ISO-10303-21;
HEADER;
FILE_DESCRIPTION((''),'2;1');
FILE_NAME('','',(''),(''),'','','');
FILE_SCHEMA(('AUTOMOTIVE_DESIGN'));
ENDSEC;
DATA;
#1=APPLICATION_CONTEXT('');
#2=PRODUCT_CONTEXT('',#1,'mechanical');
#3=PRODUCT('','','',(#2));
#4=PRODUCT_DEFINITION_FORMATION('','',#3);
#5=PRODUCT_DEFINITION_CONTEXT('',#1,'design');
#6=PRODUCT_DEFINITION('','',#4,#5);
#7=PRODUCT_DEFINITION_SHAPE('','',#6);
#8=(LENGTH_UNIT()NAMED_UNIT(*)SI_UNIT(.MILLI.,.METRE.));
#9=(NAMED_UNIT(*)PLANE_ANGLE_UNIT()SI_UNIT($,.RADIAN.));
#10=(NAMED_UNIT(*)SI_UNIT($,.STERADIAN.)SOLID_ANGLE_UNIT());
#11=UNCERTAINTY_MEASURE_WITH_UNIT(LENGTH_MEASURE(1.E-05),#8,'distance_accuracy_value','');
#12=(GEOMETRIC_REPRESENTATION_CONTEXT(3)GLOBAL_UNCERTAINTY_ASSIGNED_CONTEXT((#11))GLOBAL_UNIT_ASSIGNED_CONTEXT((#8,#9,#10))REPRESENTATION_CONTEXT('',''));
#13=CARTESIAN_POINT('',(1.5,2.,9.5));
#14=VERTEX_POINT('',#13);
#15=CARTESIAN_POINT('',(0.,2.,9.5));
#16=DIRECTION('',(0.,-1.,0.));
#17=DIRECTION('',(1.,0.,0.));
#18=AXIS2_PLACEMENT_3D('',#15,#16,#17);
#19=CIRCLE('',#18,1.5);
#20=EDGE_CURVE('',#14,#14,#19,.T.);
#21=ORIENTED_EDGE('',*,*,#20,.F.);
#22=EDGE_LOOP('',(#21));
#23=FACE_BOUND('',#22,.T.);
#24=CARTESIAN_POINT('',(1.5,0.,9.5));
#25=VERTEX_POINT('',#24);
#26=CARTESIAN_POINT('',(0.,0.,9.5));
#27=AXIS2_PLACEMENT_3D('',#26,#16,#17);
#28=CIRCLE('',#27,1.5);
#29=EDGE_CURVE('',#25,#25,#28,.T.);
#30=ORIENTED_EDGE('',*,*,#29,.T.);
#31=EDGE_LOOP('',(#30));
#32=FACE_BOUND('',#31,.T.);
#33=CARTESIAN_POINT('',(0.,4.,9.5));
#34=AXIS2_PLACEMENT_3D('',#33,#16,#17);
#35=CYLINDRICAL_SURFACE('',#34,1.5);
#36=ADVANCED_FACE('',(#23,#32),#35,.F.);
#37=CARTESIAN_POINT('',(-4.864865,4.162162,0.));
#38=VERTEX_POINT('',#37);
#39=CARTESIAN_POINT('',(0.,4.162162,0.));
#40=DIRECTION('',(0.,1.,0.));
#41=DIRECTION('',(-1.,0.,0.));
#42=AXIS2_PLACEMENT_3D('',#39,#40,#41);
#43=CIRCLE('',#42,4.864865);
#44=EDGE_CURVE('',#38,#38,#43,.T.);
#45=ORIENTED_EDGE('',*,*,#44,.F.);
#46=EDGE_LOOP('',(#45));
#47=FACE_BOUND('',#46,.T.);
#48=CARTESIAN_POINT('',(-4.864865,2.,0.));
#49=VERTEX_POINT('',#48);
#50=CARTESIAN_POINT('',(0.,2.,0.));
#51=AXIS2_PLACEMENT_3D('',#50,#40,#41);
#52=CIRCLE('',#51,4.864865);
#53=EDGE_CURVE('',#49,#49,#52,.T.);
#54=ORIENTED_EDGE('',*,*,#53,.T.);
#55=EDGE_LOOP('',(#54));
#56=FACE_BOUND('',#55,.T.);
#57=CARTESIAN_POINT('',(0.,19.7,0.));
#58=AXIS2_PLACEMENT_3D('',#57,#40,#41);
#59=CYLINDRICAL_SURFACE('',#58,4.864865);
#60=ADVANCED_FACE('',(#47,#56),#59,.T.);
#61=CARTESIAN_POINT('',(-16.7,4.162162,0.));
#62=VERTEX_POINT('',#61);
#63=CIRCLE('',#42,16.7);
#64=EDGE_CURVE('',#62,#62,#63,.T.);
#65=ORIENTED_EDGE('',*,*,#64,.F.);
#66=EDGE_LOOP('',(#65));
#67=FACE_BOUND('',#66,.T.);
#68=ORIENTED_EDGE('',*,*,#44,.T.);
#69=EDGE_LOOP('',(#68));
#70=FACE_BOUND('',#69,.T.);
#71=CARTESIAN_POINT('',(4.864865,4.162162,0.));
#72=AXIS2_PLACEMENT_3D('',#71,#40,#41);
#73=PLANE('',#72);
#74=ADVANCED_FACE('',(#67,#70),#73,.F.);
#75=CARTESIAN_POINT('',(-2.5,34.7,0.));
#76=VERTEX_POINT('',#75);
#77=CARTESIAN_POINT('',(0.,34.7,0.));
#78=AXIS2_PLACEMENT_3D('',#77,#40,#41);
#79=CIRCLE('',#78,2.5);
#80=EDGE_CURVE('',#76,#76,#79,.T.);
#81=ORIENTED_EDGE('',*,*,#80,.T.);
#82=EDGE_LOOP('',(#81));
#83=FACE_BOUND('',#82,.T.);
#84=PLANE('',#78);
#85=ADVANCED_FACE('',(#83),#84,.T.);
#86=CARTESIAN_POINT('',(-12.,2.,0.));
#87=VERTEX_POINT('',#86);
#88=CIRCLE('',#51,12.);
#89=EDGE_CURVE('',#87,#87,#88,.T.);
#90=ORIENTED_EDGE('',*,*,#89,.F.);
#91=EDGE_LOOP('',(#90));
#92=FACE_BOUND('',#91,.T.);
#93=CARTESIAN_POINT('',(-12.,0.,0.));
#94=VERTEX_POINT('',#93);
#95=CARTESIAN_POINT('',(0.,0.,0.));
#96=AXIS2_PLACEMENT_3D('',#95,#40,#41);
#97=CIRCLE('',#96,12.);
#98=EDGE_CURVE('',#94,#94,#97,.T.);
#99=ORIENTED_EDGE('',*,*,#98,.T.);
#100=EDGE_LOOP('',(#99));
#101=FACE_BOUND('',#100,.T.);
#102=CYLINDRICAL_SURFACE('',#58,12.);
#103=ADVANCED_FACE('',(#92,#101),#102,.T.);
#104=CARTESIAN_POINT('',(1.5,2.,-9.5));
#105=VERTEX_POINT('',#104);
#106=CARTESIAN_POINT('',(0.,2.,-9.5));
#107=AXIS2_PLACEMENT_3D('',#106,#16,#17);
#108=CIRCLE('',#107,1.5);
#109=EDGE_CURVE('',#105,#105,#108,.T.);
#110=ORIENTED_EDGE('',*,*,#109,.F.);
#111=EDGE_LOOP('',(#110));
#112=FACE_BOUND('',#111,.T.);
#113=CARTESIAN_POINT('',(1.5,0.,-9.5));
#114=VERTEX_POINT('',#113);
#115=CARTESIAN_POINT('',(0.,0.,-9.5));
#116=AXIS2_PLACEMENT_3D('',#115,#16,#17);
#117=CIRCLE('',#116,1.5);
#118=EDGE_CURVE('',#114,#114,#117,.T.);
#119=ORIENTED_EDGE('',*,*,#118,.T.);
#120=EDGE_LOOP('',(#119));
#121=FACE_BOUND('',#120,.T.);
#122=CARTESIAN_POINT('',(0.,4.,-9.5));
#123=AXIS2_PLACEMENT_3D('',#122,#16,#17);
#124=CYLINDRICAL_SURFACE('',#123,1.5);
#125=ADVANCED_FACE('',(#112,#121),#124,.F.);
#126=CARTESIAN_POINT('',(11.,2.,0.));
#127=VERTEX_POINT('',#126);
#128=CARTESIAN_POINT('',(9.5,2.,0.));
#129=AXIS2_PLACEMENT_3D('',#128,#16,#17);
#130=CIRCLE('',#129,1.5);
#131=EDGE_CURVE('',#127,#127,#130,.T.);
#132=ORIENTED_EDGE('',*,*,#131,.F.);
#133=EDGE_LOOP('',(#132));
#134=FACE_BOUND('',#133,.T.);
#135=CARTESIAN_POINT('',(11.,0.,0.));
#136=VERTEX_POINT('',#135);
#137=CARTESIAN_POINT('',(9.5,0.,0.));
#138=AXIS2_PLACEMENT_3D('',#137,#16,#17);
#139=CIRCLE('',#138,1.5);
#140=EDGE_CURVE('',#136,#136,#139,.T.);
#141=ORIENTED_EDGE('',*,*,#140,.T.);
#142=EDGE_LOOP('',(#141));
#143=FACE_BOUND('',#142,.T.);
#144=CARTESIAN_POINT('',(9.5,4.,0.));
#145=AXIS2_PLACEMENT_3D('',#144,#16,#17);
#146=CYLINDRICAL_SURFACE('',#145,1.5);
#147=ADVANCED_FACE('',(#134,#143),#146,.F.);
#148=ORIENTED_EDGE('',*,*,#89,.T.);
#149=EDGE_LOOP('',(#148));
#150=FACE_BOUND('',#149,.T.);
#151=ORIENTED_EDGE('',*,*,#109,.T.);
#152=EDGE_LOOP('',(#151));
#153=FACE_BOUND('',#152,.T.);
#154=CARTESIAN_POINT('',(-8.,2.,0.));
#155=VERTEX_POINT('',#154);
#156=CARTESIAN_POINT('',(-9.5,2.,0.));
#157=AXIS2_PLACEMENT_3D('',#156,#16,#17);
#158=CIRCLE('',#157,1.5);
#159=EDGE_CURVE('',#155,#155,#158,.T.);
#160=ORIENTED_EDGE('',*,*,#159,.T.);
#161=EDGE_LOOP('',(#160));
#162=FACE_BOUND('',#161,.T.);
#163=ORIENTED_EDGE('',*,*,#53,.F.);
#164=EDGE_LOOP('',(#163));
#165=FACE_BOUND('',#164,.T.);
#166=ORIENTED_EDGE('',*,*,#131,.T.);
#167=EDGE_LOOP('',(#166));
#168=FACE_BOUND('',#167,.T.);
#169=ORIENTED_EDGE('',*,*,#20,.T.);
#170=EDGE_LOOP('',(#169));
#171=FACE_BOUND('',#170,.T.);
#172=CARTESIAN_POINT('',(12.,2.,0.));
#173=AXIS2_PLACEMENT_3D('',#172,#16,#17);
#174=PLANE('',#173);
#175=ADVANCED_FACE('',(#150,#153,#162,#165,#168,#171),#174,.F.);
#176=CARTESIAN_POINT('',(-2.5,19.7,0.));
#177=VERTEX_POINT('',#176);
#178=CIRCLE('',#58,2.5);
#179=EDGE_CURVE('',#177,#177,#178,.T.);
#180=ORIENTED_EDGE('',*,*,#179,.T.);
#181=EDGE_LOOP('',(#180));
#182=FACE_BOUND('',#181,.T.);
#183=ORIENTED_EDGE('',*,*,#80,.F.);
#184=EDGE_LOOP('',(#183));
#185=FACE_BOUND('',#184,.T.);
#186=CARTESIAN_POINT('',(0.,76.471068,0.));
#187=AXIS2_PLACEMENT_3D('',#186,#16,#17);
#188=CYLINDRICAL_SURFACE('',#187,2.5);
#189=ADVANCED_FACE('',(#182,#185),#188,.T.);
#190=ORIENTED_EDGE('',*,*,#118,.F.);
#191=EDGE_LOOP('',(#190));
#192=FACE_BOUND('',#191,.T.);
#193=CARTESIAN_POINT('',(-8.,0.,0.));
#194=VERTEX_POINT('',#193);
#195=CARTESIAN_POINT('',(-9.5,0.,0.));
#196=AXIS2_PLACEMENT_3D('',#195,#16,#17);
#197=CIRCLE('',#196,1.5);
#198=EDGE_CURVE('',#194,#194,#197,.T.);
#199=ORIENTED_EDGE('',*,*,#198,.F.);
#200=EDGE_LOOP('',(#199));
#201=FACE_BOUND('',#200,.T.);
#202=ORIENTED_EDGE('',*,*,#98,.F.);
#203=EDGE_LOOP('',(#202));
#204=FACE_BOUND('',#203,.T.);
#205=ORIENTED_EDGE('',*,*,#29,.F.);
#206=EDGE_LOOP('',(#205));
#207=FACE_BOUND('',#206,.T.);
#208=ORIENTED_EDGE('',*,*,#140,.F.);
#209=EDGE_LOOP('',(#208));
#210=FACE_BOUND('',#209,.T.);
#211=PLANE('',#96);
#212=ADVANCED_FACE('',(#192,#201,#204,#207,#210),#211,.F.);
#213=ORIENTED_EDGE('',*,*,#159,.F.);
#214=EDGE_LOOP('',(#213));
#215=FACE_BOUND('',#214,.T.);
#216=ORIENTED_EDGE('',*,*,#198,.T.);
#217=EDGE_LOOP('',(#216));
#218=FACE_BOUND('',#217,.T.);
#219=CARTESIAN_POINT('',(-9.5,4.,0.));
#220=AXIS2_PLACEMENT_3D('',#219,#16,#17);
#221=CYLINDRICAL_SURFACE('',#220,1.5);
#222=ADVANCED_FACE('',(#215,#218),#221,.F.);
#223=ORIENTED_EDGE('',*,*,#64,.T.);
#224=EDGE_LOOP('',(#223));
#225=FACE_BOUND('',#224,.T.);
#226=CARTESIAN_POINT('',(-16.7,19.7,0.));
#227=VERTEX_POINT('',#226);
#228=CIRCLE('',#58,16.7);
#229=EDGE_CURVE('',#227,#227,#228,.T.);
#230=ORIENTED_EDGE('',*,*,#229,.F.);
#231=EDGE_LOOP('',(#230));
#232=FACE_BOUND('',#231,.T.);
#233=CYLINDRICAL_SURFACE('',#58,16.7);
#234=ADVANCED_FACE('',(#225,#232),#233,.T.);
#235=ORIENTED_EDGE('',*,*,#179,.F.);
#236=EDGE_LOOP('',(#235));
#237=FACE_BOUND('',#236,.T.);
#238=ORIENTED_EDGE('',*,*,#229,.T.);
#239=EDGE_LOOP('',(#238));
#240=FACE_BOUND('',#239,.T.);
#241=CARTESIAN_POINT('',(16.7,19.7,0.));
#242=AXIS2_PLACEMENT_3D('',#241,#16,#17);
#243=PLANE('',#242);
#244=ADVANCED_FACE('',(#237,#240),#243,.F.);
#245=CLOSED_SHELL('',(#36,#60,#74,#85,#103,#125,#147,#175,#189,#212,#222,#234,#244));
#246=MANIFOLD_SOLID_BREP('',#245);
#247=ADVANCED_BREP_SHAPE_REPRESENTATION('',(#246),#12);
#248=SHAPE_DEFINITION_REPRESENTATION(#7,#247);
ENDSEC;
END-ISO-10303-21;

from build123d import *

# Parameters (mm, degrees)
SKETCH4_R           = 2.5
BOSS_EXTRUDE1_DEPTH = 15
SKETCH5_R           = 1.5
CUT_EXTRUDE3_DEPTH  = 4


with BuildPart() as part:
    # Sketch3 → Revolve1 (revolve)
    with BuildSketch(Plane.XY, mode=Mode.PRIVATE) as revolve1_sk:
        Polygon((0, 0), (12, 0), (12, 2), (4.864864865, 2), (4.864864865, 4.162162162), (16.7, 4.162162162), (16.7, 19.7), (0, 19.7), align=None)
    revolve(revolve1_sk.sketch.rotate(Axis((0, 19.7, 0), (0, -1, 0)), 180), axis=Axis((0, 19.7, 0), (0, -1, 0)))

    # Sketch4 → Boss-Extrude1 (add)
    with BuildSketch(Plane(origin=(0, 19.7, 0), x_dir=(1, 0, 0), z_dir=(0, 1, 0))):
        with Locations(Location((0, 0, 0), (0, 0, 180))):
            Circle(SKETCH4_R)
    extrude(amount=BOSS_EXTRUDE1_DEPTH)

    # Sketch5 → Cut-Extrude3 (cut)
    with BuildSketch(Plane.XZ):
        with Locations((9.5, 0)):
            Circle(SKETCH5_R)
        with Locations((0, -9.5)):
            Circle(SKETCH5_R)
        with Locations((-9.5, 0)):
            Circle(SKETCH5_R)
        with Locations((0, 9.5)):
            Circle(SKETCH5_R)
    extrude(amount=-CUT_EXTRUDE3_DEPTH, mode=Mode.SUBTRACT)


solid = part.part
